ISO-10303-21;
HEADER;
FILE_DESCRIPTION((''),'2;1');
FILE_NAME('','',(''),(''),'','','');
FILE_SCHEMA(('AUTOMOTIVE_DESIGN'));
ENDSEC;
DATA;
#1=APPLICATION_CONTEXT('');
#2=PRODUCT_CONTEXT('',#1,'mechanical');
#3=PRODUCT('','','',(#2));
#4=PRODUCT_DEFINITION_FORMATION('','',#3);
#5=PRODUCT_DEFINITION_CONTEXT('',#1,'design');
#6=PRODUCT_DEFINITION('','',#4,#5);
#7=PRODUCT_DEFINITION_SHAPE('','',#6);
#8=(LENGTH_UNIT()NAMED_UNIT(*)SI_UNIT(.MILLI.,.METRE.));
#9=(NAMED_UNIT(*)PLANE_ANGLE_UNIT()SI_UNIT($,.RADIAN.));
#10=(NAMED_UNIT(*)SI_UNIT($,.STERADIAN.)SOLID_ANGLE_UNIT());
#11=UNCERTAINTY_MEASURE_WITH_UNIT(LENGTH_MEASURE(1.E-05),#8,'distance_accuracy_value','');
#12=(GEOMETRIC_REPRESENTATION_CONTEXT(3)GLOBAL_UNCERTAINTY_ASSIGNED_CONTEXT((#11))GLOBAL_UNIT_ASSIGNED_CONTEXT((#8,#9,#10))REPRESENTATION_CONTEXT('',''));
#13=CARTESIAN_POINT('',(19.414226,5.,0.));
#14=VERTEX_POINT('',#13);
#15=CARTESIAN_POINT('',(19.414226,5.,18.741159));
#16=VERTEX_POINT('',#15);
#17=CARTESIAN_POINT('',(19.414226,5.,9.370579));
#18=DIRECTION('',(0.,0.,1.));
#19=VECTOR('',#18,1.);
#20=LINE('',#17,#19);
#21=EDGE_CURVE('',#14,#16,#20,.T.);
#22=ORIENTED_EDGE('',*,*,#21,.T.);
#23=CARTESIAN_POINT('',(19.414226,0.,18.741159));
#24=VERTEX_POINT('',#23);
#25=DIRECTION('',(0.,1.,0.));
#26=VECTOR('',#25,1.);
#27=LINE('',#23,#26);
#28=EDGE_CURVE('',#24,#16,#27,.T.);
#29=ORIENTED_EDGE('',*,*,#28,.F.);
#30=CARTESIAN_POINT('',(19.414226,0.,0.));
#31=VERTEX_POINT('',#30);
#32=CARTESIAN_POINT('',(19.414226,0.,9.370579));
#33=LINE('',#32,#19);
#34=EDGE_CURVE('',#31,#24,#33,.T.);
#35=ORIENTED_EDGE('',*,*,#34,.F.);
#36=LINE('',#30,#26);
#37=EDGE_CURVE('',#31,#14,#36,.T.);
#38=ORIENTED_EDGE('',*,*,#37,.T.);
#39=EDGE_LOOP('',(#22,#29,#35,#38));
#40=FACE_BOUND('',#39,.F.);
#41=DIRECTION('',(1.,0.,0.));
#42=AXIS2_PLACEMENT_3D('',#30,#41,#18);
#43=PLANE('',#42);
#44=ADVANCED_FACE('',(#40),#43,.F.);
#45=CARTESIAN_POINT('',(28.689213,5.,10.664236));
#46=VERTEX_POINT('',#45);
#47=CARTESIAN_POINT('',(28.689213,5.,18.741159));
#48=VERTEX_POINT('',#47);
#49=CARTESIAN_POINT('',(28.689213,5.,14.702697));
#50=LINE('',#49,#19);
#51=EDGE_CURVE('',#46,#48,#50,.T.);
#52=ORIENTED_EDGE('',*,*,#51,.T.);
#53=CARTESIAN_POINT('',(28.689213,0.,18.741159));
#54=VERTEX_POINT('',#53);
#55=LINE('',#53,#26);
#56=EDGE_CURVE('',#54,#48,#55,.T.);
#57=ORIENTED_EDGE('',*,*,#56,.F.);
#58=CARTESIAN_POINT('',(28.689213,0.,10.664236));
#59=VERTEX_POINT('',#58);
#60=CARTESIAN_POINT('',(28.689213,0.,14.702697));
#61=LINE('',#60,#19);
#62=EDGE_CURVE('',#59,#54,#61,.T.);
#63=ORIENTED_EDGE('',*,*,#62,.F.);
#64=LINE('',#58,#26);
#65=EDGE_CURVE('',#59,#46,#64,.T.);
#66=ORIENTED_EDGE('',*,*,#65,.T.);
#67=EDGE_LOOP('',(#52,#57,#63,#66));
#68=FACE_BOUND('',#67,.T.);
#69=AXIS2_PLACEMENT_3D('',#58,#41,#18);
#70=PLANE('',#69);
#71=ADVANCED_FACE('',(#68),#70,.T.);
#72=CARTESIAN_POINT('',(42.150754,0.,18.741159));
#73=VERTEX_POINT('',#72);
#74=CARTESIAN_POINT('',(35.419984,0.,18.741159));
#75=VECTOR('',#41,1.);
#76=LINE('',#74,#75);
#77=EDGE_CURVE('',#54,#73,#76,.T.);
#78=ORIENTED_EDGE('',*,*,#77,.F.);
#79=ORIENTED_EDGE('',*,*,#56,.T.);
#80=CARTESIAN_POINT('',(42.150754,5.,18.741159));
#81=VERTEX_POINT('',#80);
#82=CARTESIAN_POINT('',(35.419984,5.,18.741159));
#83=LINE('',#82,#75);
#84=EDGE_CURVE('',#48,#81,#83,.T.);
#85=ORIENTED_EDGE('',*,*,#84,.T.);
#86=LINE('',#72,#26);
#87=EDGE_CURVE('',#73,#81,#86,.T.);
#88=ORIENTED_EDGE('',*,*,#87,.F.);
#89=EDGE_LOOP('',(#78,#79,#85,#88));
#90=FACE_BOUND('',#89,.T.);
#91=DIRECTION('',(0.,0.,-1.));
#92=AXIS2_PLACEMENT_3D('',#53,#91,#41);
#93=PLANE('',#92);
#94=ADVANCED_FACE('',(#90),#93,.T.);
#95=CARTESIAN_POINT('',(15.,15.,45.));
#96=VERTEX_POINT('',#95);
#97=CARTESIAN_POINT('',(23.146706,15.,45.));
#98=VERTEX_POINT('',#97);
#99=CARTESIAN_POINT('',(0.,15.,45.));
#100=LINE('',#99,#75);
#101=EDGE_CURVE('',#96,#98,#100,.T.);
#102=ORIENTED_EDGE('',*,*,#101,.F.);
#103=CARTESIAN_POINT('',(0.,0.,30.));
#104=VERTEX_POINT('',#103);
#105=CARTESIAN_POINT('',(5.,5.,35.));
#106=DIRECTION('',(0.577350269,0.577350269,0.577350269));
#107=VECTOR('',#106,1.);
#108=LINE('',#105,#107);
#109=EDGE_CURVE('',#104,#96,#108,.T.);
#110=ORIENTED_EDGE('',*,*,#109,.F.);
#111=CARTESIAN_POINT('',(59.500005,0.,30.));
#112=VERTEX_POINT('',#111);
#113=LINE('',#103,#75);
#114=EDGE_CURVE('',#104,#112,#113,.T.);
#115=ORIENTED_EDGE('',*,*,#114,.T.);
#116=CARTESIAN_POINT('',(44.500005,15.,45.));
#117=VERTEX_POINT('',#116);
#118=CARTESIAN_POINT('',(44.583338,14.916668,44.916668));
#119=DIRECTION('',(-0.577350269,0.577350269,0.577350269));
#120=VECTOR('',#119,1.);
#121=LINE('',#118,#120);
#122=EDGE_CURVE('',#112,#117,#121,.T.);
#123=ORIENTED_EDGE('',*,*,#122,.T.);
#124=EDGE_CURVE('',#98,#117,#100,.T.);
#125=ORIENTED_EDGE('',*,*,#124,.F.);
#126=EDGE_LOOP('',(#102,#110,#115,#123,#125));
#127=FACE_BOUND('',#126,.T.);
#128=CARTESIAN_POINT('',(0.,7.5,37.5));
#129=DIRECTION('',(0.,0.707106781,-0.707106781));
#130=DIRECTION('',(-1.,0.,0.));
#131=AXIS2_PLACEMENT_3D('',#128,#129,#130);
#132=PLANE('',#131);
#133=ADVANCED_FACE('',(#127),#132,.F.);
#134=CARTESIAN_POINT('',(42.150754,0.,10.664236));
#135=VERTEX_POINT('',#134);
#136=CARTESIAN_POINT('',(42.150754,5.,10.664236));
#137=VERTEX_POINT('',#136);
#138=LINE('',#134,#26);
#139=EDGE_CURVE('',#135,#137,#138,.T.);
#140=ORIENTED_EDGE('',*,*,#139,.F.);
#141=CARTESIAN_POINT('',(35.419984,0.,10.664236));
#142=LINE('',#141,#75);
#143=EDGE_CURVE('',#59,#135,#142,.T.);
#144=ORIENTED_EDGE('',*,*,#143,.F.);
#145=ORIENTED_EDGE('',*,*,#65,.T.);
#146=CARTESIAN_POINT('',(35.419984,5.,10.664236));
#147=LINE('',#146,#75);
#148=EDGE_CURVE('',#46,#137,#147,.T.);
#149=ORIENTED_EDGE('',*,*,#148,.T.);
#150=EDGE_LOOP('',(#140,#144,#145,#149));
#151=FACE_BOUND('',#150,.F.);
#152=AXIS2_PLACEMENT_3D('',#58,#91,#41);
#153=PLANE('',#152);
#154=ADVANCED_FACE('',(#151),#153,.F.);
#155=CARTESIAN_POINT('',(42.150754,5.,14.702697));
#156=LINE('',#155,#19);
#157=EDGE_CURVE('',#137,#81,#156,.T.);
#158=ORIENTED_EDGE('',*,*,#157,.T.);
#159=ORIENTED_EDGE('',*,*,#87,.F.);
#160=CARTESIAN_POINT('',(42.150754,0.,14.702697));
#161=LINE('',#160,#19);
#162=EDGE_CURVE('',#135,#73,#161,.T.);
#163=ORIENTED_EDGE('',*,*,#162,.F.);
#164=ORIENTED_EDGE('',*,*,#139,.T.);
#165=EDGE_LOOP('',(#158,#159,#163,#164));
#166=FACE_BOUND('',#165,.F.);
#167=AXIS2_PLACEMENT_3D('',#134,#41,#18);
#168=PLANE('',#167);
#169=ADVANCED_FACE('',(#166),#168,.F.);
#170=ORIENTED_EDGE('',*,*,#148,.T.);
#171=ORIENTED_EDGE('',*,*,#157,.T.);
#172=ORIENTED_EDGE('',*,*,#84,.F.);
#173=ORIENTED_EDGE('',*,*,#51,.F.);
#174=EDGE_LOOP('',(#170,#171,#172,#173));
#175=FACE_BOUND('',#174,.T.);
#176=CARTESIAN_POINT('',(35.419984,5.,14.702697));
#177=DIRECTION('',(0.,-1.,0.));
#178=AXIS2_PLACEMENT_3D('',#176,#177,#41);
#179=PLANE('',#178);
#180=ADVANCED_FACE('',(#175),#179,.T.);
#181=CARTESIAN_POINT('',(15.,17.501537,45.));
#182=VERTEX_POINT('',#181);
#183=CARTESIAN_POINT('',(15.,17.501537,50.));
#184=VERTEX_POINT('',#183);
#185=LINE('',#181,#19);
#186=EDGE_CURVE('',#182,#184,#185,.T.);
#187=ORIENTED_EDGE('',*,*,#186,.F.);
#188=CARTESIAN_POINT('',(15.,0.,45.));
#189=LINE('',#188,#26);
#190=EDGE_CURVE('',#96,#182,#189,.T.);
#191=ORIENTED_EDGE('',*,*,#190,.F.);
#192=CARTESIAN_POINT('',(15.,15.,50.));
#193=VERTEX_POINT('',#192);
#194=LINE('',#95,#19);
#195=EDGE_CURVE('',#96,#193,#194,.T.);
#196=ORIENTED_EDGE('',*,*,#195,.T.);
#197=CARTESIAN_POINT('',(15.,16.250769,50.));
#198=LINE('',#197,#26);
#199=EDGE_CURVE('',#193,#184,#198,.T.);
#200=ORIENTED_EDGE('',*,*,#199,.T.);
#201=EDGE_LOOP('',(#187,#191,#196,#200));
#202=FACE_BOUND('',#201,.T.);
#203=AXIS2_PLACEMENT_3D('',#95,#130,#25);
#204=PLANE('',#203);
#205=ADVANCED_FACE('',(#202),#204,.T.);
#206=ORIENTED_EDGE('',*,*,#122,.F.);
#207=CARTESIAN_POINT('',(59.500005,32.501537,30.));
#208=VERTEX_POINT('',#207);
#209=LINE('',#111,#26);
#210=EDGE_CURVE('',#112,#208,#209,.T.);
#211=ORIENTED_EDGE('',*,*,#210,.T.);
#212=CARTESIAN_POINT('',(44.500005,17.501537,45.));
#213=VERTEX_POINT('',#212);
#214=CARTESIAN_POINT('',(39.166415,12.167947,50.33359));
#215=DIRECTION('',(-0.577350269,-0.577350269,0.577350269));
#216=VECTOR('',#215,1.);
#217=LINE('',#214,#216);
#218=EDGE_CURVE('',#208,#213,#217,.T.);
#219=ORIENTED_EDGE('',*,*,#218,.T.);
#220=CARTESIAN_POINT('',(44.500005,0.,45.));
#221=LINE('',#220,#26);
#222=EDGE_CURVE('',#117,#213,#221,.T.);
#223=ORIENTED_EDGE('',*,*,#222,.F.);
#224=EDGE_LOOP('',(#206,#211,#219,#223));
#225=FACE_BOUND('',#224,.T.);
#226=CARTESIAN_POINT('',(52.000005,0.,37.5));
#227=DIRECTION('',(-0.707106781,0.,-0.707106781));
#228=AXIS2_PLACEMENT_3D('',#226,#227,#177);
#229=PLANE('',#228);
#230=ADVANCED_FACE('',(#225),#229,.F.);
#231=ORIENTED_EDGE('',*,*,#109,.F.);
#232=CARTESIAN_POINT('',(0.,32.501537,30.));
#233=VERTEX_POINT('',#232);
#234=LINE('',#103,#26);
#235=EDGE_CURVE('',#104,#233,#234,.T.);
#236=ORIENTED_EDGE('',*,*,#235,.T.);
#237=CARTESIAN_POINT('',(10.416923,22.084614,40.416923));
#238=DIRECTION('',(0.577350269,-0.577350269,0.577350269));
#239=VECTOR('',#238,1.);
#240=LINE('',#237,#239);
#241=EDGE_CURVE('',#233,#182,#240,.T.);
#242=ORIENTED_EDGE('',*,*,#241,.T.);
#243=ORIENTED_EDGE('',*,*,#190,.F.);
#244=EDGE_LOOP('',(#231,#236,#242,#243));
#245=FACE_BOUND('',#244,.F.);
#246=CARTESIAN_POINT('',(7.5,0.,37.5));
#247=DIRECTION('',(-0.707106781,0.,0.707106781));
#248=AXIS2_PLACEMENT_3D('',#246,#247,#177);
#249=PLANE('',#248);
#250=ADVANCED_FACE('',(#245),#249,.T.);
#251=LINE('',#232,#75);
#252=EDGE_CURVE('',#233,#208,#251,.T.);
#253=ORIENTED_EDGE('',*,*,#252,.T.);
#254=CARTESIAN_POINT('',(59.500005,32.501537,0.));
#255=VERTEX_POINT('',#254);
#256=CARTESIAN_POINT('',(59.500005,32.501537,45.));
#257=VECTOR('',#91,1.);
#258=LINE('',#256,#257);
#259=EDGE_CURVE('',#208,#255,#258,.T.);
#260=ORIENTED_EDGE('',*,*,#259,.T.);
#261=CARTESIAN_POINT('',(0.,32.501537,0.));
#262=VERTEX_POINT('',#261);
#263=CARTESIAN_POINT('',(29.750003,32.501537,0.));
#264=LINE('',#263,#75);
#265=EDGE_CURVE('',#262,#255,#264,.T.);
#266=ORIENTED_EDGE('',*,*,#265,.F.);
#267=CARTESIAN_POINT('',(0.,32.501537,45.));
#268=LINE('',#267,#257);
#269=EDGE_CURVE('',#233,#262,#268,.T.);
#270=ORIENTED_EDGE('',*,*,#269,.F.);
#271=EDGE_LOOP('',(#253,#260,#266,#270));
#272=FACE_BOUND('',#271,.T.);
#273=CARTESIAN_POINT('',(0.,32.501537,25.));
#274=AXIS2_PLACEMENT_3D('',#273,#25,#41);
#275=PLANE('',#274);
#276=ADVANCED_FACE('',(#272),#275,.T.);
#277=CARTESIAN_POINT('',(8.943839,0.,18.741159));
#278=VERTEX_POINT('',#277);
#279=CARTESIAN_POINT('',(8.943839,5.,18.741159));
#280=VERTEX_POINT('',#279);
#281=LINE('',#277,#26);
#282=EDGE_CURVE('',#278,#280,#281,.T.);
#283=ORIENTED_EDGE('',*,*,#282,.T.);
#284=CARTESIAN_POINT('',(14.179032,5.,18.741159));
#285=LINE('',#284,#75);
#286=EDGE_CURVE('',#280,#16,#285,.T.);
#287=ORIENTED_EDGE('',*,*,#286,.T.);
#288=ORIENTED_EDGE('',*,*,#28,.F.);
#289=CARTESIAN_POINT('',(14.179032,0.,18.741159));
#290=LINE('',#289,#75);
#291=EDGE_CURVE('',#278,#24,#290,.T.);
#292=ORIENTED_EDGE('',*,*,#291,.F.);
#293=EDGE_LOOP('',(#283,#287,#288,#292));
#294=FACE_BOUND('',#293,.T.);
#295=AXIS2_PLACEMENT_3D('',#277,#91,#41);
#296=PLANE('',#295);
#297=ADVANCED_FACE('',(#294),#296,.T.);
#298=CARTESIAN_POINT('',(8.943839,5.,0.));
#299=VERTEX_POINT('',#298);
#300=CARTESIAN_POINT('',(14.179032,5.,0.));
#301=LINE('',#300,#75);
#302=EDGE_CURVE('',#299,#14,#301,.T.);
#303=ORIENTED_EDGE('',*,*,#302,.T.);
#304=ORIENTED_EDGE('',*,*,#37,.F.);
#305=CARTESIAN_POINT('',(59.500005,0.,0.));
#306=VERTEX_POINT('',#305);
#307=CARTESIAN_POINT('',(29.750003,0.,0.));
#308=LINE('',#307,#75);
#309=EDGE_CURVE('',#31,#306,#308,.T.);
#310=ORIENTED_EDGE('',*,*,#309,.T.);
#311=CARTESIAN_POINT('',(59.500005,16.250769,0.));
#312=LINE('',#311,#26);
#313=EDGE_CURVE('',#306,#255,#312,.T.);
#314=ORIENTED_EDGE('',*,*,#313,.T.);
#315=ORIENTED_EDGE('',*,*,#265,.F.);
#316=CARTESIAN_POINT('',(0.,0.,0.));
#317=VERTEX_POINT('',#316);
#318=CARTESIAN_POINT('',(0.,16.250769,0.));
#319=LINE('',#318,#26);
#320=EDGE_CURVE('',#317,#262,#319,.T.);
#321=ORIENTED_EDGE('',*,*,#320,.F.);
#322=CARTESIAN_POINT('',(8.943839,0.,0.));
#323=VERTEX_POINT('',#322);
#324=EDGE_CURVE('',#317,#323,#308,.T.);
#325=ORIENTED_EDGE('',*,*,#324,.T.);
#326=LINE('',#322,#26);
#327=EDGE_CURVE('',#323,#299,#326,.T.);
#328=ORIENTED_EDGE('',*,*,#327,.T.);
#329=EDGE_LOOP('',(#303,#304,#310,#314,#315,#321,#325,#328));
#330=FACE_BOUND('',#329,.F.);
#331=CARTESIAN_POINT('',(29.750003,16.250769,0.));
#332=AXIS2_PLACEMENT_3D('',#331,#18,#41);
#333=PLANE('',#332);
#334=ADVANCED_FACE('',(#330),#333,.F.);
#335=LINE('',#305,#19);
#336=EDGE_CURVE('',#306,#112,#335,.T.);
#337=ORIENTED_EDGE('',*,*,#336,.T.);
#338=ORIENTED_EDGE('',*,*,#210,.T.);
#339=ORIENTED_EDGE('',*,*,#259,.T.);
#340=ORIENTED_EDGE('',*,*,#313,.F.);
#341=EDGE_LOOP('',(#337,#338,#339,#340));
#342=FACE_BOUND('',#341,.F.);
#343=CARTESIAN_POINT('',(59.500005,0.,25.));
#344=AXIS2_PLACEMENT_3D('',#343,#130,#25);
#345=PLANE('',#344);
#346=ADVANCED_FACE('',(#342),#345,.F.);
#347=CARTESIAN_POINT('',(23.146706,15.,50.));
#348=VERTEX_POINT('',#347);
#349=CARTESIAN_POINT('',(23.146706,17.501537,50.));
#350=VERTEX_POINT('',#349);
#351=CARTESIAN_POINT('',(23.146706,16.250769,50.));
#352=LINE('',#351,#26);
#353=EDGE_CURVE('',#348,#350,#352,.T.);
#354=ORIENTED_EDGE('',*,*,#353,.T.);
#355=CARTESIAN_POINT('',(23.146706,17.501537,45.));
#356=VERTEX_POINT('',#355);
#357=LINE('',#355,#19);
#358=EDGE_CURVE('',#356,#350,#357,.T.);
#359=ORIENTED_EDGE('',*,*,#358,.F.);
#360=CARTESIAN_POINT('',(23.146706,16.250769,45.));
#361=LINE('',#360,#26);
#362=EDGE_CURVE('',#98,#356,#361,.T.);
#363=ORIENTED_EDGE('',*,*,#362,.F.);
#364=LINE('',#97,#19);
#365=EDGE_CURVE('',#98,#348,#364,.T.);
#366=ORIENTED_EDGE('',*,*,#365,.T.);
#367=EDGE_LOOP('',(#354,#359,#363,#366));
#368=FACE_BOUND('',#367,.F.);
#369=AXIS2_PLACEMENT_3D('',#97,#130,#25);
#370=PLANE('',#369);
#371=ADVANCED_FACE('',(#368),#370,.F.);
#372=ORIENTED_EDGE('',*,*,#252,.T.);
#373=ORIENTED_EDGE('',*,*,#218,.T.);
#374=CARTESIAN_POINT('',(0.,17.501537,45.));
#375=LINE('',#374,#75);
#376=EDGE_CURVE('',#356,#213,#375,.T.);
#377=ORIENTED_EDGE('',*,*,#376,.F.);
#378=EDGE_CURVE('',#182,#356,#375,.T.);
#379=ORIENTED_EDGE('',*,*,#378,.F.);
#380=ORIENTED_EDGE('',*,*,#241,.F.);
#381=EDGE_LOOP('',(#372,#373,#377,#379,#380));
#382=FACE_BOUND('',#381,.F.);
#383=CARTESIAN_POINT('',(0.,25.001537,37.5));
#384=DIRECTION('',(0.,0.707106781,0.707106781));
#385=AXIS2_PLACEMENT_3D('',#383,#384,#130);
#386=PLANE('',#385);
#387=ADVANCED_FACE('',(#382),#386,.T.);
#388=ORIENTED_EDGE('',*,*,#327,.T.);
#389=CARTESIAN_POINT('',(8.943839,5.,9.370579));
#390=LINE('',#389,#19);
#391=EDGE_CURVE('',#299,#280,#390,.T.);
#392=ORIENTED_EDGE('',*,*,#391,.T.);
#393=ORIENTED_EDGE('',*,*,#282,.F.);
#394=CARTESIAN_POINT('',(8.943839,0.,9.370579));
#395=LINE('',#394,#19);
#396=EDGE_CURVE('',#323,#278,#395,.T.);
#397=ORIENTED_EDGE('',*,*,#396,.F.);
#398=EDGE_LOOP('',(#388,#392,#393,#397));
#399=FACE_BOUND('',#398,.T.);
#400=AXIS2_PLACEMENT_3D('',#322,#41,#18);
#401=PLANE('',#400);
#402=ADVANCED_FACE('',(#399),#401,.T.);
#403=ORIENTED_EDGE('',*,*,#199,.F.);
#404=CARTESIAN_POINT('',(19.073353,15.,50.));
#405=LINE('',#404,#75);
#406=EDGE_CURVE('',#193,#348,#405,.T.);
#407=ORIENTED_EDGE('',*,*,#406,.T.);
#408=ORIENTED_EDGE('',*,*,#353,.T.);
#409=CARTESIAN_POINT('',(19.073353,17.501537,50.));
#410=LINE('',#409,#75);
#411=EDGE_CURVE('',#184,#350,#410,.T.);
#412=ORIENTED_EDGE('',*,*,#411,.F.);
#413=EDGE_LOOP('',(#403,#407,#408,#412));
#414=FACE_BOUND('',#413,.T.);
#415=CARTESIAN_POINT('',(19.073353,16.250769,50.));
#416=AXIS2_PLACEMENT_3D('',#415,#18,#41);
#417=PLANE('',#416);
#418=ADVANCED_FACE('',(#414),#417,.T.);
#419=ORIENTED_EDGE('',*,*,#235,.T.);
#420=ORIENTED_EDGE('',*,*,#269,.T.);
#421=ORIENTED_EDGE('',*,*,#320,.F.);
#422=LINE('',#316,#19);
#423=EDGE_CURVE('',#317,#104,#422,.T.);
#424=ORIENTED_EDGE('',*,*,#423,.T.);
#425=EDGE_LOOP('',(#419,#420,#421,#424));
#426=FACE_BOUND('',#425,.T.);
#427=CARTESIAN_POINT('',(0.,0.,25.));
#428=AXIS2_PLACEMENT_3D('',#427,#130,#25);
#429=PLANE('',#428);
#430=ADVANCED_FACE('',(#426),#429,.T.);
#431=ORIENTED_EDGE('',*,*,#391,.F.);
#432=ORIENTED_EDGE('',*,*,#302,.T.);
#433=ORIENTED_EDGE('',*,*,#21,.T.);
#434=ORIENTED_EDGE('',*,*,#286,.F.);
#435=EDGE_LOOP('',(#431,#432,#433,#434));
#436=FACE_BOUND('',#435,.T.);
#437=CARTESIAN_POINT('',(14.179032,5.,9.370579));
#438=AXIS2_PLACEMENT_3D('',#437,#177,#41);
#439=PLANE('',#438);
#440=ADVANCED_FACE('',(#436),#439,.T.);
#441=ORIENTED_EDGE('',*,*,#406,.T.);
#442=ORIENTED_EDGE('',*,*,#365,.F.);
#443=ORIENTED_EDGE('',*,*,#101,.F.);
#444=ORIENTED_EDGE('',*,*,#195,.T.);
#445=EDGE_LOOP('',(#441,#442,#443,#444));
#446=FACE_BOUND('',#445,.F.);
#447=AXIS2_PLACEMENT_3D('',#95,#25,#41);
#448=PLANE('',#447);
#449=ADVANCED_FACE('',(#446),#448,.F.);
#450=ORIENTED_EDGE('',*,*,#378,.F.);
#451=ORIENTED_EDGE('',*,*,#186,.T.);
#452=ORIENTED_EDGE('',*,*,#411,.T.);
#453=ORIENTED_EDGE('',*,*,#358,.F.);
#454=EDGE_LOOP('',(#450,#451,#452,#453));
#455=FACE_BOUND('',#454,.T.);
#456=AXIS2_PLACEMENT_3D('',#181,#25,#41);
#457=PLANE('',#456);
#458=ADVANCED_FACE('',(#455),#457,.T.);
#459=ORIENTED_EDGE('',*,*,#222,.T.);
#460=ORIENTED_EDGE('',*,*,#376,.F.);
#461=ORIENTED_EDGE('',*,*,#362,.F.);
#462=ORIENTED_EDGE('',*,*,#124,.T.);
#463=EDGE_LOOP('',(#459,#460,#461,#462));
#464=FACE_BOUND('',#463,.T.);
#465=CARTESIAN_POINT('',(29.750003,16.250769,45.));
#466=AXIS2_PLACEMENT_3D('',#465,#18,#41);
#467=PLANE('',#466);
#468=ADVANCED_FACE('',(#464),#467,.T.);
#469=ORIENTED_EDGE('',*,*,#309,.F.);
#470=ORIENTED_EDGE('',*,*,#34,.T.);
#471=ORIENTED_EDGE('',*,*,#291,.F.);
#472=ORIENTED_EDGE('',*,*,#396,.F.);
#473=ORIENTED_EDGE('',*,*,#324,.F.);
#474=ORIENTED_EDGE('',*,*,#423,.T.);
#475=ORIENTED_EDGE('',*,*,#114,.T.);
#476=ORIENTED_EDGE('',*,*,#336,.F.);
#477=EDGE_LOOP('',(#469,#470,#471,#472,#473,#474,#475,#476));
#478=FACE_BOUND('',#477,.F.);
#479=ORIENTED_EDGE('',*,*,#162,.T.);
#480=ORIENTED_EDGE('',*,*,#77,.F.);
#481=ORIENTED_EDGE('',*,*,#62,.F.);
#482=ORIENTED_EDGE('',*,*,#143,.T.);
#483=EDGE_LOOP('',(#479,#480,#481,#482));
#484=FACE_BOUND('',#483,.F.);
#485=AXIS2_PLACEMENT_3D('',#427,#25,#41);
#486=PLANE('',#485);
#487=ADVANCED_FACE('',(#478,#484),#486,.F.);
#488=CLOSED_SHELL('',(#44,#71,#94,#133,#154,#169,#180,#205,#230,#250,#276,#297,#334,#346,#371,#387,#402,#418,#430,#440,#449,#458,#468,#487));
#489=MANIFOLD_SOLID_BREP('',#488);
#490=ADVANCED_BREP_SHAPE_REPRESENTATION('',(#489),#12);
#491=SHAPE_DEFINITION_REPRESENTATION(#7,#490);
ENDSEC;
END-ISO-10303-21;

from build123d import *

# Parameters (mm, degrees)
F0_W     = 59.5000050962
F0_H     = 32.5015373528
F1_DEPTH = 25
F2_W     = 59.5000050962
F2_H     = 32.5015373528
F3_DEPTH = 20
F4_SIZE  = 15
F5_W     = 10.4703865945
F5_H     = 18.7411587685
F5_W_2   = 13.4615413845
F5_H_2   = 8.076922968
F6_DEPTH = 5
F7_W     = 8.1467057019
F7_H     = 2.5015373528
F8_DEPTH = 5


with BuildPart() as f1:
    # F0 (on Top) → F1 (new body)
    with BuildSketch(Plane.XY):
        with Locations((29.7500025481, 16.2507686764)):
            Rectangle(F0_W, F0_H)
    extrude(amount=F1_DEPTH)

    # F2 (on face) → F3 (join)
    with BuildSketch(Plane.XY.offset(25)):
        with Locations((29.7500025481, 16.2507686764)):
            Rectangle(F2_W, F2_H)
    extrude(amount=F3_DEPTH)

    # F4
    f4_edges = [f1.edges().sort_by_distance(p)[0] for p in [
        (0, 16.250769, 45),
        (59.500005, 16.250769, 45),
        (29.750003, 0, 45),
        (29.750003, 32.501537, 45),
    ]]
    chamfer(f4_edges, length=F4_SIZE)

    # F5 (on face) → F6 (cut)
    with BuildSketch(Plane.XZ):
        with Locations((14.1790322959, 9.3705793843)):
            Rectangle(F5_W, F5_H)
        with Locations((35.4199837893, 14.7026972845)):
            Rectangle(F5_W_2, F5_H_2)
    extrude(amount=-F6_DEPTH, mode=Mode.SUBTRACT)

    # F7 (on face) → F8 (join)
    with BuildSketch(Plane.XY.offset(45)):
        with Locations((19.073352851, 16.2507686764)):
            Rectangle(F7_W, F7_H)
    extrude(amount=F8_DEPTH)


solid = f1.part
